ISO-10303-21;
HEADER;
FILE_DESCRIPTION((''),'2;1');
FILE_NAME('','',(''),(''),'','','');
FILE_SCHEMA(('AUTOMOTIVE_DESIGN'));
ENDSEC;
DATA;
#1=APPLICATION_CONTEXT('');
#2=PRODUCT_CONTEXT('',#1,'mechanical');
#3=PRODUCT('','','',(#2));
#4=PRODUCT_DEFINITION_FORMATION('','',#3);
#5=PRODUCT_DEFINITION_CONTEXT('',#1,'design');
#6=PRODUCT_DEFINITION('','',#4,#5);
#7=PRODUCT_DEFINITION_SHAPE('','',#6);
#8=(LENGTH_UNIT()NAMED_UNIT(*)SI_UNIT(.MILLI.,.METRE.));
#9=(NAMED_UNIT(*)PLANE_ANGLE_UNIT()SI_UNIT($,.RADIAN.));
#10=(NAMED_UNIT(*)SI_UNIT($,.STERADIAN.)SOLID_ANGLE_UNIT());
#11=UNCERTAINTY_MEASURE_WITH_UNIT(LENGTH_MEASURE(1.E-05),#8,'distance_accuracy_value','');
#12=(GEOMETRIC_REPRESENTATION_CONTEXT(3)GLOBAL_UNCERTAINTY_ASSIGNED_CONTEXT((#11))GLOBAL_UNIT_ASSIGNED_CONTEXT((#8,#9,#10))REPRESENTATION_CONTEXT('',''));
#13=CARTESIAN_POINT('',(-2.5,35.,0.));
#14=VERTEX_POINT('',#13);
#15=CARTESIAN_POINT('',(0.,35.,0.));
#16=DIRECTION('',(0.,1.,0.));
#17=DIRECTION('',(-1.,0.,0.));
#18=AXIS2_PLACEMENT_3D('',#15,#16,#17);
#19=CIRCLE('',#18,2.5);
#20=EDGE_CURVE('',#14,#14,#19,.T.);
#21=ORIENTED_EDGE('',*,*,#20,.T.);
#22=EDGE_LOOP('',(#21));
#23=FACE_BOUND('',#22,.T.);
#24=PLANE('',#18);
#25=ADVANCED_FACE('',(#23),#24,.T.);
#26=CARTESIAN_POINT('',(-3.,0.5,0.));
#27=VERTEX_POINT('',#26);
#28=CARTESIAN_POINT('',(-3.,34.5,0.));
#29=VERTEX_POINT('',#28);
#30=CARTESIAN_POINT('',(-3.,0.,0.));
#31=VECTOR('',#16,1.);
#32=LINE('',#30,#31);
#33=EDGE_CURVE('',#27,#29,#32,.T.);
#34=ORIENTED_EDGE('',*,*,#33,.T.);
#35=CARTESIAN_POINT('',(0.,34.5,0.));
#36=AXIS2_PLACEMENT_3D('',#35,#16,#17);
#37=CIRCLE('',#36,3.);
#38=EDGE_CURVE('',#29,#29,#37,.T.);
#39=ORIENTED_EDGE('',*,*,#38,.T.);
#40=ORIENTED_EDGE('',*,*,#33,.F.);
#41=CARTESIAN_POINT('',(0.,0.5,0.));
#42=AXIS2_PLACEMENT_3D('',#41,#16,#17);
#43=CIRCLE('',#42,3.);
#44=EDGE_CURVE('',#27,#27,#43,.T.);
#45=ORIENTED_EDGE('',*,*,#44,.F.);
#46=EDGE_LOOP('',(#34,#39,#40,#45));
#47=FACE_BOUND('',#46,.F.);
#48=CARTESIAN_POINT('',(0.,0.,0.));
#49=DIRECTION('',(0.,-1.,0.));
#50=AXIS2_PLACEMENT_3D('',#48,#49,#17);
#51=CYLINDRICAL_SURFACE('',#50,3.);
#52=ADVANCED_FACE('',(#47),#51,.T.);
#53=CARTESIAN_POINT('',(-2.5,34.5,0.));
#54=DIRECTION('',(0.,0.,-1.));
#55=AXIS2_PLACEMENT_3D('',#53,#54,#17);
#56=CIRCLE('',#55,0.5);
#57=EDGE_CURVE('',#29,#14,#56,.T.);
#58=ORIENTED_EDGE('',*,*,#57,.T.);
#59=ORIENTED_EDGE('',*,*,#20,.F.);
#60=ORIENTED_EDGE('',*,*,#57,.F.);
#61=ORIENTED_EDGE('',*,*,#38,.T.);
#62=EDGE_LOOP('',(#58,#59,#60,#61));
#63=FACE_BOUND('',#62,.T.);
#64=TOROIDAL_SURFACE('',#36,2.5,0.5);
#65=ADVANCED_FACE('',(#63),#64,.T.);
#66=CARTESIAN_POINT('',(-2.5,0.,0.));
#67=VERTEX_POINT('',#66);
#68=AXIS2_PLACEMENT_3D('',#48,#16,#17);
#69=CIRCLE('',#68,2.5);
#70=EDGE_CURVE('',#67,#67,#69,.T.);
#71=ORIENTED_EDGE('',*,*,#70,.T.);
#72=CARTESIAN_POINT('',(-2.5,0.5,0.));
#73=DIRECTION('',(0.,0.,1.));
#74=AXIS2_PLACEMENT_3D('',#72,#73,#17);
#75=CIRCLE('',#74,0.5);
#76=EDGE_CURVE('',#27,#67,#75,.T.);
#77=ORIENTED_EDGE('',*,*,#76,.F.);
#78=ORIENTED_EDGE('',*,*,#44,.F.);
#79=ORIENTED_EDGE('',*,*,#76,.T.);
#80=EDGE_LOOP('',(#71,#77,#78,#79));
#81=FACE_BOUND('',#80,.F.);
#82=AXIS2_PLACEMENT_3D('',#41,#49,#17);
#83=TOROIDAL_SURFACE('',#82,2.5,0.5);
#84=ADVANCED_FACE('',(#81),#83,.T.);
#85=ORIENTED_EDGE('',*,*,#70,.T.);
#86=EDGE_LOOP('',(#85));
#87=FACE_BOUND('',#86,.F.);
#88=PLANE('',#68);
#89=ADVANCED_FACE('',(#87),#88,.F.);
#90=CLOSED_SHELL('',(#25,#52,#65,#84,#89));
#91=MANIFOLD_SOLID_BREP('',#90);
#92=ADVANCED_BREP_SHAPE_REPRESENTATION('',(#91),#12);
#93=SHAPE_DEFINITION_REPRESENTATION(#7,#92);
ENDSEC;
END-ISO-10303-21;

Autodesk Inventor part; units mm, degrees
ref_plane "YZ Plane" through (0, 0, 0) normal (1, 0, 0) x (0, 1, 0)
ref_plane "XZ Plane" through (0, 0, 0) normal (0, 1, 0) x (-1, 0, 0)
ref_plane "XY Plane" through (0, 0, 0) normal (0, 0, 1) x (1, 0, 0)
sketch "Boceto1" plane through (0, 0, 0) normal (0, 1, 0) x (-1, 0, 0)
  circle A0 centre (0, 0) radius 3
  dimension "d0" = 6
extrude "Extrusión1" add sketch "Boceto1" along normal blind 35
fillet "Empalme1" radius 0.5 2 edges at (3, 0, 0) (3, 35, 0)
properties part number "6mm axis"
